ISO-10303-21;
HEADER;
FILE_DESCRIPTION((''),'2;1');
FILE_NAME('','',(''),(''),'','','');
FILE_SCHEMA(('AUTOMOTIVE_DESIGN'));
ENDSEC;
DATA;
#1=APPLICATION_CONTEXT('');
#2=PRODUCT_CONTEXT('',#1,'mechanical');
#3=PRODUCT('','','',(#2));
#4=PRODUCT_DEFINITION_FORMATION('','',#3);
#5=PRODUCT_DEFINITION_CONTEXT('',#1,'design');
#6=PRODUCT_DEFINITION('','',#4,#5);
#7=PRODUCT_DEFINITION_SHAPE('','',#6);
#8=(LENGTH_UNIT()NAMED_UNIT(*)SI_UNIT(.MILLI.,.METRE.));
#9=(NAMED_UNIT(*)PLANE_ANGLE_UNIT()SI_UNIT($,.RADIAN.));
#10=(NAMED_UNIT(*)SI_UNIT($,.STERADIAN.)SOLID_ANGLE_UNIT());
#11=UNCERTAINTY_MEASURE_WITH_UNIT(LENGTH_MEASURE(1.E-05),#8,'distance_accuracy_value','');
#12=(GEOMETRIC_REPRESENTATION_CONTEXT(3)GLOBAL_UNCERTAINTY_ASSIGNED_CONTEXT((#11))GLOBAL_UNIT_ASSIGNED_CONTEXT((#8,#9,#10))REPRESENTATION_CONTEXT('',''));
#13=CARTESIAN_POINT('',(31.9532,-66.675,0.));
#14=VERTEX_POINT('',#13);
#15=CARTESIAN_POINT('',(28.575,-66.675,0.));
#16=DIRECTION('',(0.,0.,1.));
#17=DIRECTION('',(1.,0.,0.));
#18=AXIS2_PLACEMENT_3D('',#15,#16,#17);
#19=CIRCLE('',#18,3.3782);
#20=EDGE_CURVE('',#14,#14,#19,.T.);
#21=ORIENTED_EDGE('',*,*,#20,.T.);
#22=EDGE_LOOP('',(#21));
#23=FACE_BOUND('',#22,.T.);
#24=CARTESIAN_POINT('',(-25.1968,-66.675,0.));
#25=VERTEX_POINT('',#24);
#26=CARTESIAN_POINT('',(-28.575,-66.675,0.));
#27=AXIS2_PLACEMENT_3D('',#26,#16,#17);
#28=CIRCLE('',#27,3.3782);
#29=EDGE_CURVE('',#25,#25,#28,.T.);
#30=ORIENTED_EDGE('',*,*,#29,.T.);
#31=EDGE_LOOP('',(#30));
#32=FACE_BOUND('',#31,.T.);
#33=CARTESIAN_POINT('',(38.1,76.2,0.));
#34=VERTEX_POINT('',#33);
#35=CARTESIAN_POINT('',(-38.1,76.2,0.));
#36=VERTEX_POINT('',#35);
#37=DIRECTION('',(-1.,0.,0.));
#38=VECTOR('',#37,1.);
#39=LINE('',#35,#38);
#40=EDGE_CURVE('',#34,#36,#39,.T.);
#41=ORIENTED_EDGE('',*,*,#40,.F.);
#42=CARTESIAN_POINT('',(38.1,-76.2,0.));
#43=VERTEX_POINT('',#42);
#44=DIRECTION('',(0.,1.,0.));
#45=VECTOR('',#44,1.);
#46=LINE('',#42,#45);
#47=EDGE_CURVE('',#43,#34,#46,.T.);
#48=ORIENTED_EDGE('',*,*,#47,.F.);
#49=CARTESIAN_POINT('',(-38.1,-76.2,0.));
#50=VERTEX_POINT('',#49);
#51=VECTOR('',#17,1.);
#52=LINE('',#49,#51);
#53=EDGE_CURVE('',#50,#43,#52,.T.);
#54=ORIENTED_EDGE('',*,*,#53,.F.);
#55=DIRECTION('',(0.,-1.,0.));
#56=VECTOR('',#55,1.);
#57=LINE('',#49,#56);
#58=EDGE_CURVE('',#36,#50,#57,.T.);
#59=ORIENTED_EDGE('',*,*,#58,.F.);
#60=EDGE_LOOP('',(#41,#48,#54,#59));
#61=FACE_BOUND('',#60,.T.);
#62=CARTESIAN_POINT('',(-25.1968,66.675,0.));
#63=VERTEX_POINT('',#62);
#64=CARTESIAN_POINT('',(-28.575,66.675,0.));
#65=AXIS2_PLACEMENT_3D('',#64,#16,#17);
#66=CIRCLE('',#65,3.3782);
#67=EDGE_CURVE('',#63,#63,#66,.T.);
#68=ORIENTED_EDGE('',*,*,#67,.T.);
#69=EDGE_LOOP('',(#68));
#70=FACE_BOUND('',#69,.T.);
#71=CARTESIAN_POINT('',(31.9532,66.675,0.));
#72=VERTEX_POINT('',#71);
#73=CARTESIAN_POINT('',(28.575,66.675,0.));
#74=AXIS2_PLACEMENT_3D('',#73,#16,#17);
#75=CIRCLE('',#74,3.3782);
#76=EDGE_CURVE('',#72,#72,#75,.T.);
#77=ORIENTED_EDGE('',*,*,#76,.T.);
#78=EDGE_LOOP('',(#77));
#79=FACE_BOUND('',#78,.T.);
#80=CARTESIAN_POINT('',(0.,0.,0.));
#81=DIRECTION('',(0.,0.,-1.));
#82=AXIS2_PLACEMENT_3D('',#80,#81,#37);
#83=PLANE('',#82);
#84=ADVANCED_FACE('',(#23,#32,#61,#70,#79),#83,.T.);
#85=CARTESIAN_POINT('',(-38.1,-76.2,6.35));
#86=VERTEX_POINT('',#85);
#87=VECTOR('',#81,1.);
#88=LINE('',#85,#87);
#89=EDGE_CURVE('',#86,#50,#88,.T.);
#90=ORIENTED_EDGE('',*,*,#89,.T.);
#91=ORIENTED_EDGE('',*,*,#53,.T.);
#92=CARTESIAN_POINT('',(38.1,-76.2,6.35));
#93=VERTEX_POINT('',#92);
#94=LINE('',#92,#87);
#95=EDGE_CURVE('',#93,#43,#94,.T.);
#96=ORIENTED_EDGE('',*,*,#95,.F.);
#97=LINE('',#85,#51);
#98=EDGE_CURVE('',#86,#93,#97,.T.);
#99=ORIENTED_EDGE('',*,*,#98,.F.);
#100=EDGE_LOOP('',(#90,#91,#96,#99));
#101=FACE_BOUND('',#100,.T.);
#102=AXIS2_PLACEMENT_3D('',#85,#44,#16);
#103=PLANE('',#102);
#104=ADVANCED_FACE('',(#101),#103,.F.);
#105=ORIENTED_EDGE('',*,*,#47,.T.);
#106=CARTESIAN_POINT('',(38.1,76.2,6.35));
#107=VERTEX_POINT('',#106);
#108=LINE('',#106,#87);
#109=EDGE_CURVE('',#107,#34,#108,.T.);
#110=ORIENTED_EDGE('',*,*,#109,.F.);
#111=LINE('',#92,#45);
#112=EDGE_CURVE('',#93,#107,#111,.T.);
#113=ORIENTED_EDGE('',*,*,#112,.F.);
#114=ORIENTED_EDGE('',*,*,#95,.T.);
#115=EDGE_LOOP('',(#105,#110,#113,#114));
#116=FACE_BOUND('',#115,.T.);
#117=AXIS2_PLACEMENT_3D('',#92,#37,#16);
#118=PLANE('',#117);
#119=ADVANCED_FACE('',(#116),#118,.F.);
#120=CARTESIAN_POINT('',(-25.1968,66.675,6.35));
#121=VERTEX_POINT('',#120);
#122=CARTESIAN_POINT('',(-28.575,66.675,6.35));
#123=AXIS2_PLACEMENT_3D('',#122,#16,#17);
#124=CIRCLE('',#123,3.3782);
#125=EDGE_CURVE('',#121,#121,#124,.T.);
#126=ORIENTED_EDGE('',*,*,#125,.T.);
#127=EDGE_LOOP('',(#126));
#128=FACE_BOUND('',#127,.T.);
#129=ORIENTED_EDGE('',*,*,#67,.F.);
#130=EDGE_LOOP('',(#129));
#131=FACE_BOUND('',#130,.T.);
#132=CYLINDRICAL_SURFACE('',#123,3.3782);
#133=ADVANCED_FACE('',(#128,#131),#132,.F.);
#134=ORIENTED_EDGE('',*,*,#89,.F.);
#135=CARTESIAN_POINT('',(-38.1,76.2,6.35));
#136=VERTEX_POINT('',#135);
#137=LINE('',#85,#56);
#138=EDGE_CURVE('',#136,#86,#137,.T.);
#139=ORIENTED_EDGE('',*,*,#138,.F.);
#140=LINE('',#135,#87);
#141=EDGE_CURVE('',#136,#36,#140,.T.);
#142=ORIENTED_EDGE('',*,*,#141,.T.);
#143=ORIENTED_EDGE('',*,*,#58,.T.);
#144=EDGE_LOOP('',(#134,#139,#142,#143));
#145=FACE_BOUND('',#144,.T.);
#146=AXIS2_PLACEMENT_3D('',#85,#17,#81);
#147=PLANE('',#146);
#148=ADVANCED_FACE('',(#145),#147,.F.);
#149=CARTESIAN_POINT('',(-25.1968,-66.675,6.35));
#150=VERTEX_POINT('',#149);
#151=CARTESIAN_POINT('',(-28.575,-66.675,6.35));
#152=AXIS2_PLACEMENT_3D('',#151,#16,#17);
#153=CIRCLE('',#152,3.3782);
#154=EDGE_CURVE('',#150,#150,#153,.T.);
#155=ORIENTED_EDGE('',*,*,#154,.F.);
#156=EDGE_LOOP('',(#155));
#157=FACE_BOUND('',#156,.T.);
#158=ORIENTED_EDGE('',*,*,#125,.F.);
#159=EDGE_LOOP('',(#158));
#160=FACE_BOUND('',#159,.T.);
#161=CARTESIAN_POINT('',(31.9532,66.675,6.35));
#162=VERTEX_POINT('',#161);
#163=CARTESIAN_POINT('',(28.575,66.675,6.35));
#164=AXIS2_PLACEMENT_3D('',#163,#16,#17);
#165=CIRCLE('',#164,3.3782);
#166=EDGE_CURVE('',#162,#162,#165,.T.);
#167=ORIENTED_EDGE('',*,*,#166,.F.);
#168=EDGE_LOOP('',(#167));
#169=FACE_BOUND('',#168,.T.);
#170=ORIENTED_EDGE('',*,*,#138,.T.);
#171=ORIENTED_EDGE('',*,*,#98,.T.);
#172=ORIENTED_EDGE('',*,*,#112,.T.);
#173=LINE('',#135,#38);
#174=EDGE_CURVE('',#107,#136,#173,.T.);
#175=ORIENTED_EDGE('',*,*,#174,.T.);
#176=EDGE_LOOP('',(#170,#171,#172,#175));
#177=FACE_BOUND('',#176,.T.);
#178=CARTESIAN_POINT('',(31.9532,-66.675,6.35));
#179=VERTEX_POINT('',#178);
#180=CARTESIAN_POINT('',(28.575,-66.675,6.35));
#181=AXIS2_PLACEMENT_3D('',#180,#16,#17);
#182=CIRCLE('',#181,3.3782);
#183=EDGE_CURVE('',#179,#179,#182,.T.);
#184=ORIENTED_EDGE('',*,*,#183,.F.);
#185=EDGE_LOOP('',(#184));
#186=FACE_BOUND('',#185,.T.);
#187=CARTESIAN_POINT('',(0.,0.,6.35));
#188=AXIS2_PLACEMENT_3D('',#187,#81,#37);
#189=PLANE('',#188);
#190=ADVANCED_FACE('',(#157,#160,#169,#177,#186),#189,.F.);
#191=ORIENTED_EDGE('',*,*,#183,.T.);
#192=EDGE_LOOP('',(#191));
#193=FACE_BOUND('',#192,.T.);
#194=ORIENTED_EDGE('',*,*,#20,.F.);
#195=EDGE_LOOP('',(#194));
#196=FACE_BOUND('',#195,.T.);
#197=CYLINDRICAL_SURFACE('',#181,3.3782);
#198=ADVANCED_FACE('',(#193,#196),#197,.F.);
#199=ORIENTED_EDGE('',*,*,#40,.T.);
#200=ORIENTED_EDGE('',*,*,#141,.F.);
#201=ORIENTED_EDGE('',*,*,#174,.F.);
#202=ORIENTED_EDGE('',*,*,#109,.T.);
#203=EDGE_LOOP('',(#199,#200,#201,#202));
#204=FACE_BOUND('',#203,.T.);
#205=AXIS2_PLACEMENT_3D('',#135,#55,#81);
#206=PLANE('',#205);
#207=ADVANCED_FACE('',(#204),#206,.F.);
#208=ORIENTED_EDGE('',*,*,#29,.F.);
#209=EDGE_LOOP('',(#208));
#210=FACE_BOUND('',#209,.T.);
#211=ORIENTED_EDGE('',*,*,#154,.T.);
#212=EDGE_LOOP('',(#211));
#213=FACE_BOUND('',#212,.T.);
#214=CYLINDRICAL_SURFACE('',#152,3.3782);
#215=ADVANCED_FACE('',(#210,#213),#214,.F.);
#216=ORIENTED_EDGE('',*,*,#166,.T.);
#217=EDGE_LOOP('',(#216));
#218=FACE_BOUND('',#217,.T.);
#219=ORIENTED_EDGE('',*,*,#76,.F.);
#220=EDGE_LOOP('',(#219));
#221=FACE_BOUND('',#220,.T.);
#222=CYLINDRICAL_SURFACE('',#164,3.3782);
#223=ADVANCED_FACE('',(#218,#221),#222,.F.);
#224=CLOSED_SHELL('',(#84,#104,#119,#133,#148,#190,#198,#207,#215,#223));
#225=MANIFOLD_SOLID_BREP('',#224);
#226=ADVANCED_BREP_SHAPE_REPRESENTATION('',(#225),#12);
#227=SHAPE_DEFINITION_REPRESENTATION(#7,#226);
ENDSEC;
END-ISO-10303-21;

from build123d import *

# Parameters (mm, degrees)
SKETCH1_W               = 76.2
SKETCH1_H               = 152.4
BOSS_EXTRUDE1_DEPTH     = 6.35
F_1_4_CLEARANCE_HOLE1_D = 6.7564


with BuildPart() as part:
    # Sketch1 → Boss-Extrude1 (new body)
    with BuildSketch(Plane.XY):
        Rectangle(SKETCH1_W, SKETCH1_H)
    extrude(amount=BOSS_EXTRUDE1_DEPTH)

    # 1/4 Clearance Hole1 (through all)
    with Locations(Plane.XY.offset(6.35)):
        with Locations((-28.575, 66.675), (28.575, 66.675)):
            f_1_4_clearance_hole1 = Hole(F_1_4_CLEARANCE_HOLE1_D / 2)

    # Mirror1: 1/4 Clearance Hole1 across plane
    add(f_1_4_clearance_hole1.mirror(Plane.ZX), mode=Mode.SUBTRACT)


solid = part.part
